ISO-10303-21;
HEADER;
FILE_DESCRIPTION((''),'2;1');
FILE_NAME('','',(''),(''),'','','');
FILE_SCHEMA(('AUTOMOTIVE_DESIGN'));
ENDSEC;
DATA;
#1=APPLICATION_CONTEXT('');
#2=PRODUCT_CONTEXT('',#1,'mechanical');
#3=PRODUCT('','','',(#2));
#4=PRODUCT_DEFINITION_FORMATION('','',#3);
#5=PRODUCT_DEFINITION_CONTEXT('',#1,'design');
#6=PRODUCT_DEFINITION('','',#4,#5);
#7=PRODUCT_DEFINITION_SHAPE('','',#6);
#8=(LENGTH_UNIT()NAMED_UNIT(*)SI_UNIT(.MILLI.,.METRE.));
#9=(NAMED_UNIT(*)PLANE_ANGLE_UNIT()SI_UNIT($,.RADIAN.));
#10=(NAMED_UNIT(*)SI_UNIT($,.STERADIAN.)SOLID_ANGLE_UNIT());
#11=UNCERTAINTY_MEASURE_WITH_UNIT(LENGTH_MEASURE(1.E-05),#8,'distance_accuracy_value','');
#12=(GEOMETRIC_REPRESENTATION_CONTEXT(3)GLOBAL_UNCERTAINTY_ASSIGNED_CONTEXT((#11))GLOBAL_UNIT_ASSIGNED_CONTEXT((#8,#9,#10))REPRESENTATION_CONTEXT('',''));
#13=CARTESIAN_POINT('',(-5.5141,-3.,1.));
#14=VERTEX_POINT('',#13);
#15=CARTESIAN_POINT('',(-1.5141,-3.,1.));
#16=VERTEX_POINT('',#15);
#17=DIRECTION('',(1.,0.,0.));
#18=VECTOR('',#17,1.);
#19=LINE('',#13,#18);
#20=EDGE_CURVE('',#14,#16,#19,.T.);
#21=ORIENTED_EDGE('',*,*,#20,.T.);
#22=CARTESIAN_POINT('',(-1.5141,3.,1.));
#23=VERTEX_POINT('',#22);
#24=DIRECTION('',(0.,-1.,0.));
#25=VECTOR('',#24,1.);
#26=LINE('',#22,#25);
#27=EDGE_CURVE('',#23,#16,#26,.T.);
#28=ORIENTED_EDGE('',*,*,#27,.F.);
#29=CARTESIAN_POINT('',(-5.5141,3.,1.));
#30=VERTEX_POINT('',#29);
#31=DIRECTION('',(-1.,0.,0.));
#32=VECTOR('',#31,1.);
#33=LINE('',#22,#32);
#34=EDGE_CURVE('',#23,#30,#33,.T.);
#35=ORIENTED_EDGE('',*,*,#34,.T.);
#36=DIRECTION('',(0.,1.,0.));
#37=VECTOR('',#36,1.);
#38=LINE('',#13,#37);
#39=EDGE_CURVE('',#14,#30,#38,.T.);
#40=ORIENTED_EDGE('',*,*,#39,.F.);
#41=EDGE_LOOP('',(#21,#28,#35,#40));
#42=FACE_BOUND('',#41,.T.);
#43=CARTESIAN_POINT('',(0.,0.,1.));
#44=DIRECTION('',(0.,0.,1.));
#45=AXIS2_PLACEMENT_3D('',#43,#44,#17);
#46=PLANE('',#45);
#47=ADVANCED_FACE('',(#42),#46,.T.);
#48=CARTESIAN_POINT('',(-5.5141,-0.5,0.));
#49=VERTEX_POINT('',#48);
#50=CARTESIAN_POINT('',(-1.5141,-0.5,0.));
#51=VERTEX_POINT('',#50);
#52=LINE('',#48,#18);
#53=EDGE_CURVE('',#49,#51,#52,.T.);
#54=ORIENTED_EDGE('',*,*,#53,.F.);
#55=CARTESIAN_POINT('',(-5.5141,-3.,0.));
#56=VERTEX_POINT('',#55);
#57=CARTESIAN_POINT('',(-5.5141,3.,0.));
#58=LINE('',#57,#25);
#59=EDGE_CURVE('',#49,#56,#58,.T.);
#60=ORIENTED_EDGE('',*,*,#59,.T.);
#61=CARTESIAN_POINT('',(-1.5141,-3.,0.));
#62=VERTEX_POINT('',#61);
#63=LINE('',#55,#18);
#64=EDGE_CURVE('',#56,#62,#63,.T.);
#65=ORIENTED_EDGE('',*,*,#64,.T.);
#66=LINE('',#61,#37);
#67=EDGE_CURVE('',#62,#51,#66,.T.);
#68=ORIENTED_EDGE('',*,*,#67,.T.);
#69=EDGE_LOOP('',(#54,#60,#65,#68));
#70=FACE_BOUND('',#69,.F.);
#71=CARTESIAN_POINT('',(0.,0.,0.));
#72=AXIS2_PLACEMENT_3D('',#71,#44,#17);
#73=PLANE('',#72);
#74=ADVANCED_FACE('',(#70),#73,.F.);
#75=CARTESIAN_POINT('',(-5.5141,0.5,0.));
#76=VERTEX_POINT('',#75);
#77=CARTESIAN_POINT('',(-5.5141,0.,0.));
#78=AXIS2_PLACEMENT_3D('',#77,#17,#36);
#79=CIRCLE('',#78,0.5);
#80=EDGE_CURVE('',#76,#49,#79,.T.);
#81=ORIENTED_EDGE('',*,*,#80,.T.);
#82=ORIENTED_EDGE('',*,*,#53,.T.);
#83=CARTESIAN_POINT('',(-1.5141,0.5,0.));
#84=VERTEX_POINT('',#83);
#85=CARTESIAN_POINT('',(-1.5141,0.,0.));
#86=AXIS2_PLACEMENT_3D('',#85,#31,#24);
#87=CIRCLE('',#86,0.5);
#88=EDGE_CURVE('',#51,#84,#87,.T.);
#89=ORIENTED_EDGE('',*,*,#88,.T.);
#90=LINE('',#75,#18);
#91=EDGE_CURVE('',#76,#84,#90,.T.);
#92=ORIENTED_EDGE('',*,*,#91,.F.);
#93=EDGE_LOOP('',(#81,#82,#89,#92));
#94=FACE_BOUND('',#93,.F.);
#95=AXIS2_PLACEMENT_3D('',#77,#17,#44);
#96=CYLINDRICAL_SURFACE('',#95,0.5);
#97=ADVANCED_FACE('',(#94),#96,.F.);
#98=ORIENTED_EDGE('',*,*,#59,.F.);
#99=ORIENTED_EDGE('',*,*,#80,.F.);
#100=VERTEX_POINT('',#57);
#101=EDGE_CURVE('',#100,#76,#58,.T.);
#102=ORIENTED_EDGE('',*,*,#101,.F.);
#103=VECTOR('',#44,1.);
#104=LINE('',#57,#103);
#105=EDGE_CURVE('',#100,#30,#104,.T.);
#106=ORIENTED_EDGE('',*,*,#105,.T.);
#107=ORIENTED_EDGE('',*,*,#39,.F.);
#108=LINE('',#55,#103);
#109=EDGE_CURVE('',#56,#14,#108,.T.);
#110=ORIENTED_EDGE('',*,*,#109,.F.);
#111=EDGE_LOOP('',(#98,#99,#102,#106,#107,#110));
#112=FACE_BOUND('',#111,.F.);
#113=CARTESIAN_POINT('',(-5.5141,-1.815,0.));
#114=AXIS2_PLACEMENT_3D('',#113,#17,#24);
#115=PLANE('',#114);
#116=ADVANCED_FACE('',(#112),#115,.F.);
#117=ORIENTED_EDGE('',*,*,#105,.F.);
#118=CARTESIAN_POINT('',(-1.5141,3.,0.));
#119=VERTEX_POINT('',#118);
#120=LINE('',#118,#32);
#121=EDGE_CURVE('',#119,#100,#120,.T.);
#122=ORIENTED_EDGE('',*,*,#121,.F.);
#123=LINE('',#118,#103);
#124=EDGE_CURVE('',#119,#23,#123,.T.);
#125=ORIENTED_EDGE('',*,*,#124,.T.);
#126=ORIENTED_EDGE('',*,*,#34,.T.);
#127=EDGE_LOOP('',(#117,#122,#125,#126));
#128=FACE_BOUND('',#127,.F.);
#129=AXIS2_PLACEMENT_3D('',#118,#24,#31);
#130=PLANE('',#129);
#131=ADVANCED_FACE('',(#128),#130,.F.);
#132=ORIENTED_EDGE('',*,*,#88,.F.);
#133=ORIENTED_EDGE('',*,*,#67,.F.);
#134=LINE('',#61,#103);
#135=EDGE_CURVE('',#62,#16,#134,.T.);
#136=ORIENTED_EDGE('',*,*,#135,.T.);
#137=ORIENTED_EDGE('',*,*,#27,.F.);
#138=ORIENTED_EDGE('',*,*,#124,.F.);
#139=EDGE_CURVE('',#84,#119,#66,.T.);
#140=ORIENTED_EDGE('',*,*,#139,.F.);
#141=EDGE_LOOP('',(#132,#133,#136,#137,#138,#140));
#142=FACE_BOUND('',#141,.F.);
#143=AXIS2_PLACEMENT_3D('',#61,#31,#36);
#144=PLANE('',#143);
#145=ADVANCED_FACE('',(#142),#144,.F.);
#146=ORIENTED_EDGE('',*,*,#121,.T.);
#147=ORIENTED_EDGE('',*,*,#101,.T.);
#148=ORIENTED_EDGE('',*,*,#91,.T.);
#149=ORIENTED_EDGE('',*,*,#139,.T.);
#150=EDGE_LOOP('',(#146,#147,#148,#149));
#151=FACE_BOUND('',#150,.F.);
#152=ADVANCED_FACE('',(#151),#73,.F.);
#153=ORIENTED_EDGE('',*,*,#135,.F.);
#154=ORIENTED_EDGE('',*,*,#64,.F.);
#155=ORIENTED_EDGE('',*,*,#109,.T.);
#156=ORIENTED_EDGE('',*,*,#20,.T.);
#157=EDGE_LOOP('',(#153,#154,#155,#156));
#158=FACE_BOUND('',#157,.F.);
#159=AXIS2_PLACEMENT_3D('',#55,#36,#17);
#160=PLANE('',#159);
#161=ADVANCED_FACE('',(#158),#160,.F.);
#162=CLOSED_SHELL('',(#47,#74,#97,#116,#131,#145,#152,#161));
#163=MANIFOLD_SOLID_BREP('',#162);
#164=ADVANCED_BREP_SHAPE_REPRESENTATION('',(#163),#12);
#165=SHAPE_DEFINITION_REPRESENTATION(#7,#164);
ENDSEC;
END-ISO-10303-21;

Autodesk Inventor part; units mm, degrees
ref_plane "YZ Plane" through (0, 0, 0) normal (1, 0, 0) x (0, 1, 0)
ref_plane "XZ Plane" through (0, 0, 0) normal (0, 1, 0) x (-1, 0, 0)
ref_plane "XY Plane" through (0, 0, 0) normal (0, 0, 1) x (1, 0, 0)
sketch "Sketch1" plane through (0, 0, 0) normal (0, 0, 1) x (1, 0, 0)
  line L0 (-1.5141, -3) -> (-1.5141, 3)
  line L1 (-1.5141, 3) -> (-5.5141, 3)
  line L2 (-5.5141, 3) -> (-5.5141, -3)
  line L3 (-5.5141, -3) -> (-1.5141, -3)
  line L4 (-5.5141, -1.815) -> (-6.0141, -1.815)
  line L5 (-6.0141, -1.815) -> (-6.0141, -0.75)
  line L6 (-6.0141, -0.75) -> (-6.5141, -0.75)
  line L7 (-6.5141, -0.75) -> (-6.5141, 0)
  line L8 (-1.5141, 0) -> (-6.5141, 0)
  line L9 (-5.5141, 0) -> (-6.5141, 0)
  line L10 (-6.5141, 0) -> (-5.5141, 0)
  point P0 (0, 0)
  dimension "d0" = 0.5
  dimension "d1" = 1
  dimension "d2" = 5
  dimension "d18" = 0.75
  dimension "d19" = 6
extrude "Extrusion1" add sketch "Sketch1" along normal blind 1 contours L3 L2 L8 L0 | L8 L2 L1 L0
hole "Hole2" at (-5.5141, 0, 0) direction (1, 0, 0) diameter 1 depth 25.4 tip angle 118
properties part number "Wiring platform"
